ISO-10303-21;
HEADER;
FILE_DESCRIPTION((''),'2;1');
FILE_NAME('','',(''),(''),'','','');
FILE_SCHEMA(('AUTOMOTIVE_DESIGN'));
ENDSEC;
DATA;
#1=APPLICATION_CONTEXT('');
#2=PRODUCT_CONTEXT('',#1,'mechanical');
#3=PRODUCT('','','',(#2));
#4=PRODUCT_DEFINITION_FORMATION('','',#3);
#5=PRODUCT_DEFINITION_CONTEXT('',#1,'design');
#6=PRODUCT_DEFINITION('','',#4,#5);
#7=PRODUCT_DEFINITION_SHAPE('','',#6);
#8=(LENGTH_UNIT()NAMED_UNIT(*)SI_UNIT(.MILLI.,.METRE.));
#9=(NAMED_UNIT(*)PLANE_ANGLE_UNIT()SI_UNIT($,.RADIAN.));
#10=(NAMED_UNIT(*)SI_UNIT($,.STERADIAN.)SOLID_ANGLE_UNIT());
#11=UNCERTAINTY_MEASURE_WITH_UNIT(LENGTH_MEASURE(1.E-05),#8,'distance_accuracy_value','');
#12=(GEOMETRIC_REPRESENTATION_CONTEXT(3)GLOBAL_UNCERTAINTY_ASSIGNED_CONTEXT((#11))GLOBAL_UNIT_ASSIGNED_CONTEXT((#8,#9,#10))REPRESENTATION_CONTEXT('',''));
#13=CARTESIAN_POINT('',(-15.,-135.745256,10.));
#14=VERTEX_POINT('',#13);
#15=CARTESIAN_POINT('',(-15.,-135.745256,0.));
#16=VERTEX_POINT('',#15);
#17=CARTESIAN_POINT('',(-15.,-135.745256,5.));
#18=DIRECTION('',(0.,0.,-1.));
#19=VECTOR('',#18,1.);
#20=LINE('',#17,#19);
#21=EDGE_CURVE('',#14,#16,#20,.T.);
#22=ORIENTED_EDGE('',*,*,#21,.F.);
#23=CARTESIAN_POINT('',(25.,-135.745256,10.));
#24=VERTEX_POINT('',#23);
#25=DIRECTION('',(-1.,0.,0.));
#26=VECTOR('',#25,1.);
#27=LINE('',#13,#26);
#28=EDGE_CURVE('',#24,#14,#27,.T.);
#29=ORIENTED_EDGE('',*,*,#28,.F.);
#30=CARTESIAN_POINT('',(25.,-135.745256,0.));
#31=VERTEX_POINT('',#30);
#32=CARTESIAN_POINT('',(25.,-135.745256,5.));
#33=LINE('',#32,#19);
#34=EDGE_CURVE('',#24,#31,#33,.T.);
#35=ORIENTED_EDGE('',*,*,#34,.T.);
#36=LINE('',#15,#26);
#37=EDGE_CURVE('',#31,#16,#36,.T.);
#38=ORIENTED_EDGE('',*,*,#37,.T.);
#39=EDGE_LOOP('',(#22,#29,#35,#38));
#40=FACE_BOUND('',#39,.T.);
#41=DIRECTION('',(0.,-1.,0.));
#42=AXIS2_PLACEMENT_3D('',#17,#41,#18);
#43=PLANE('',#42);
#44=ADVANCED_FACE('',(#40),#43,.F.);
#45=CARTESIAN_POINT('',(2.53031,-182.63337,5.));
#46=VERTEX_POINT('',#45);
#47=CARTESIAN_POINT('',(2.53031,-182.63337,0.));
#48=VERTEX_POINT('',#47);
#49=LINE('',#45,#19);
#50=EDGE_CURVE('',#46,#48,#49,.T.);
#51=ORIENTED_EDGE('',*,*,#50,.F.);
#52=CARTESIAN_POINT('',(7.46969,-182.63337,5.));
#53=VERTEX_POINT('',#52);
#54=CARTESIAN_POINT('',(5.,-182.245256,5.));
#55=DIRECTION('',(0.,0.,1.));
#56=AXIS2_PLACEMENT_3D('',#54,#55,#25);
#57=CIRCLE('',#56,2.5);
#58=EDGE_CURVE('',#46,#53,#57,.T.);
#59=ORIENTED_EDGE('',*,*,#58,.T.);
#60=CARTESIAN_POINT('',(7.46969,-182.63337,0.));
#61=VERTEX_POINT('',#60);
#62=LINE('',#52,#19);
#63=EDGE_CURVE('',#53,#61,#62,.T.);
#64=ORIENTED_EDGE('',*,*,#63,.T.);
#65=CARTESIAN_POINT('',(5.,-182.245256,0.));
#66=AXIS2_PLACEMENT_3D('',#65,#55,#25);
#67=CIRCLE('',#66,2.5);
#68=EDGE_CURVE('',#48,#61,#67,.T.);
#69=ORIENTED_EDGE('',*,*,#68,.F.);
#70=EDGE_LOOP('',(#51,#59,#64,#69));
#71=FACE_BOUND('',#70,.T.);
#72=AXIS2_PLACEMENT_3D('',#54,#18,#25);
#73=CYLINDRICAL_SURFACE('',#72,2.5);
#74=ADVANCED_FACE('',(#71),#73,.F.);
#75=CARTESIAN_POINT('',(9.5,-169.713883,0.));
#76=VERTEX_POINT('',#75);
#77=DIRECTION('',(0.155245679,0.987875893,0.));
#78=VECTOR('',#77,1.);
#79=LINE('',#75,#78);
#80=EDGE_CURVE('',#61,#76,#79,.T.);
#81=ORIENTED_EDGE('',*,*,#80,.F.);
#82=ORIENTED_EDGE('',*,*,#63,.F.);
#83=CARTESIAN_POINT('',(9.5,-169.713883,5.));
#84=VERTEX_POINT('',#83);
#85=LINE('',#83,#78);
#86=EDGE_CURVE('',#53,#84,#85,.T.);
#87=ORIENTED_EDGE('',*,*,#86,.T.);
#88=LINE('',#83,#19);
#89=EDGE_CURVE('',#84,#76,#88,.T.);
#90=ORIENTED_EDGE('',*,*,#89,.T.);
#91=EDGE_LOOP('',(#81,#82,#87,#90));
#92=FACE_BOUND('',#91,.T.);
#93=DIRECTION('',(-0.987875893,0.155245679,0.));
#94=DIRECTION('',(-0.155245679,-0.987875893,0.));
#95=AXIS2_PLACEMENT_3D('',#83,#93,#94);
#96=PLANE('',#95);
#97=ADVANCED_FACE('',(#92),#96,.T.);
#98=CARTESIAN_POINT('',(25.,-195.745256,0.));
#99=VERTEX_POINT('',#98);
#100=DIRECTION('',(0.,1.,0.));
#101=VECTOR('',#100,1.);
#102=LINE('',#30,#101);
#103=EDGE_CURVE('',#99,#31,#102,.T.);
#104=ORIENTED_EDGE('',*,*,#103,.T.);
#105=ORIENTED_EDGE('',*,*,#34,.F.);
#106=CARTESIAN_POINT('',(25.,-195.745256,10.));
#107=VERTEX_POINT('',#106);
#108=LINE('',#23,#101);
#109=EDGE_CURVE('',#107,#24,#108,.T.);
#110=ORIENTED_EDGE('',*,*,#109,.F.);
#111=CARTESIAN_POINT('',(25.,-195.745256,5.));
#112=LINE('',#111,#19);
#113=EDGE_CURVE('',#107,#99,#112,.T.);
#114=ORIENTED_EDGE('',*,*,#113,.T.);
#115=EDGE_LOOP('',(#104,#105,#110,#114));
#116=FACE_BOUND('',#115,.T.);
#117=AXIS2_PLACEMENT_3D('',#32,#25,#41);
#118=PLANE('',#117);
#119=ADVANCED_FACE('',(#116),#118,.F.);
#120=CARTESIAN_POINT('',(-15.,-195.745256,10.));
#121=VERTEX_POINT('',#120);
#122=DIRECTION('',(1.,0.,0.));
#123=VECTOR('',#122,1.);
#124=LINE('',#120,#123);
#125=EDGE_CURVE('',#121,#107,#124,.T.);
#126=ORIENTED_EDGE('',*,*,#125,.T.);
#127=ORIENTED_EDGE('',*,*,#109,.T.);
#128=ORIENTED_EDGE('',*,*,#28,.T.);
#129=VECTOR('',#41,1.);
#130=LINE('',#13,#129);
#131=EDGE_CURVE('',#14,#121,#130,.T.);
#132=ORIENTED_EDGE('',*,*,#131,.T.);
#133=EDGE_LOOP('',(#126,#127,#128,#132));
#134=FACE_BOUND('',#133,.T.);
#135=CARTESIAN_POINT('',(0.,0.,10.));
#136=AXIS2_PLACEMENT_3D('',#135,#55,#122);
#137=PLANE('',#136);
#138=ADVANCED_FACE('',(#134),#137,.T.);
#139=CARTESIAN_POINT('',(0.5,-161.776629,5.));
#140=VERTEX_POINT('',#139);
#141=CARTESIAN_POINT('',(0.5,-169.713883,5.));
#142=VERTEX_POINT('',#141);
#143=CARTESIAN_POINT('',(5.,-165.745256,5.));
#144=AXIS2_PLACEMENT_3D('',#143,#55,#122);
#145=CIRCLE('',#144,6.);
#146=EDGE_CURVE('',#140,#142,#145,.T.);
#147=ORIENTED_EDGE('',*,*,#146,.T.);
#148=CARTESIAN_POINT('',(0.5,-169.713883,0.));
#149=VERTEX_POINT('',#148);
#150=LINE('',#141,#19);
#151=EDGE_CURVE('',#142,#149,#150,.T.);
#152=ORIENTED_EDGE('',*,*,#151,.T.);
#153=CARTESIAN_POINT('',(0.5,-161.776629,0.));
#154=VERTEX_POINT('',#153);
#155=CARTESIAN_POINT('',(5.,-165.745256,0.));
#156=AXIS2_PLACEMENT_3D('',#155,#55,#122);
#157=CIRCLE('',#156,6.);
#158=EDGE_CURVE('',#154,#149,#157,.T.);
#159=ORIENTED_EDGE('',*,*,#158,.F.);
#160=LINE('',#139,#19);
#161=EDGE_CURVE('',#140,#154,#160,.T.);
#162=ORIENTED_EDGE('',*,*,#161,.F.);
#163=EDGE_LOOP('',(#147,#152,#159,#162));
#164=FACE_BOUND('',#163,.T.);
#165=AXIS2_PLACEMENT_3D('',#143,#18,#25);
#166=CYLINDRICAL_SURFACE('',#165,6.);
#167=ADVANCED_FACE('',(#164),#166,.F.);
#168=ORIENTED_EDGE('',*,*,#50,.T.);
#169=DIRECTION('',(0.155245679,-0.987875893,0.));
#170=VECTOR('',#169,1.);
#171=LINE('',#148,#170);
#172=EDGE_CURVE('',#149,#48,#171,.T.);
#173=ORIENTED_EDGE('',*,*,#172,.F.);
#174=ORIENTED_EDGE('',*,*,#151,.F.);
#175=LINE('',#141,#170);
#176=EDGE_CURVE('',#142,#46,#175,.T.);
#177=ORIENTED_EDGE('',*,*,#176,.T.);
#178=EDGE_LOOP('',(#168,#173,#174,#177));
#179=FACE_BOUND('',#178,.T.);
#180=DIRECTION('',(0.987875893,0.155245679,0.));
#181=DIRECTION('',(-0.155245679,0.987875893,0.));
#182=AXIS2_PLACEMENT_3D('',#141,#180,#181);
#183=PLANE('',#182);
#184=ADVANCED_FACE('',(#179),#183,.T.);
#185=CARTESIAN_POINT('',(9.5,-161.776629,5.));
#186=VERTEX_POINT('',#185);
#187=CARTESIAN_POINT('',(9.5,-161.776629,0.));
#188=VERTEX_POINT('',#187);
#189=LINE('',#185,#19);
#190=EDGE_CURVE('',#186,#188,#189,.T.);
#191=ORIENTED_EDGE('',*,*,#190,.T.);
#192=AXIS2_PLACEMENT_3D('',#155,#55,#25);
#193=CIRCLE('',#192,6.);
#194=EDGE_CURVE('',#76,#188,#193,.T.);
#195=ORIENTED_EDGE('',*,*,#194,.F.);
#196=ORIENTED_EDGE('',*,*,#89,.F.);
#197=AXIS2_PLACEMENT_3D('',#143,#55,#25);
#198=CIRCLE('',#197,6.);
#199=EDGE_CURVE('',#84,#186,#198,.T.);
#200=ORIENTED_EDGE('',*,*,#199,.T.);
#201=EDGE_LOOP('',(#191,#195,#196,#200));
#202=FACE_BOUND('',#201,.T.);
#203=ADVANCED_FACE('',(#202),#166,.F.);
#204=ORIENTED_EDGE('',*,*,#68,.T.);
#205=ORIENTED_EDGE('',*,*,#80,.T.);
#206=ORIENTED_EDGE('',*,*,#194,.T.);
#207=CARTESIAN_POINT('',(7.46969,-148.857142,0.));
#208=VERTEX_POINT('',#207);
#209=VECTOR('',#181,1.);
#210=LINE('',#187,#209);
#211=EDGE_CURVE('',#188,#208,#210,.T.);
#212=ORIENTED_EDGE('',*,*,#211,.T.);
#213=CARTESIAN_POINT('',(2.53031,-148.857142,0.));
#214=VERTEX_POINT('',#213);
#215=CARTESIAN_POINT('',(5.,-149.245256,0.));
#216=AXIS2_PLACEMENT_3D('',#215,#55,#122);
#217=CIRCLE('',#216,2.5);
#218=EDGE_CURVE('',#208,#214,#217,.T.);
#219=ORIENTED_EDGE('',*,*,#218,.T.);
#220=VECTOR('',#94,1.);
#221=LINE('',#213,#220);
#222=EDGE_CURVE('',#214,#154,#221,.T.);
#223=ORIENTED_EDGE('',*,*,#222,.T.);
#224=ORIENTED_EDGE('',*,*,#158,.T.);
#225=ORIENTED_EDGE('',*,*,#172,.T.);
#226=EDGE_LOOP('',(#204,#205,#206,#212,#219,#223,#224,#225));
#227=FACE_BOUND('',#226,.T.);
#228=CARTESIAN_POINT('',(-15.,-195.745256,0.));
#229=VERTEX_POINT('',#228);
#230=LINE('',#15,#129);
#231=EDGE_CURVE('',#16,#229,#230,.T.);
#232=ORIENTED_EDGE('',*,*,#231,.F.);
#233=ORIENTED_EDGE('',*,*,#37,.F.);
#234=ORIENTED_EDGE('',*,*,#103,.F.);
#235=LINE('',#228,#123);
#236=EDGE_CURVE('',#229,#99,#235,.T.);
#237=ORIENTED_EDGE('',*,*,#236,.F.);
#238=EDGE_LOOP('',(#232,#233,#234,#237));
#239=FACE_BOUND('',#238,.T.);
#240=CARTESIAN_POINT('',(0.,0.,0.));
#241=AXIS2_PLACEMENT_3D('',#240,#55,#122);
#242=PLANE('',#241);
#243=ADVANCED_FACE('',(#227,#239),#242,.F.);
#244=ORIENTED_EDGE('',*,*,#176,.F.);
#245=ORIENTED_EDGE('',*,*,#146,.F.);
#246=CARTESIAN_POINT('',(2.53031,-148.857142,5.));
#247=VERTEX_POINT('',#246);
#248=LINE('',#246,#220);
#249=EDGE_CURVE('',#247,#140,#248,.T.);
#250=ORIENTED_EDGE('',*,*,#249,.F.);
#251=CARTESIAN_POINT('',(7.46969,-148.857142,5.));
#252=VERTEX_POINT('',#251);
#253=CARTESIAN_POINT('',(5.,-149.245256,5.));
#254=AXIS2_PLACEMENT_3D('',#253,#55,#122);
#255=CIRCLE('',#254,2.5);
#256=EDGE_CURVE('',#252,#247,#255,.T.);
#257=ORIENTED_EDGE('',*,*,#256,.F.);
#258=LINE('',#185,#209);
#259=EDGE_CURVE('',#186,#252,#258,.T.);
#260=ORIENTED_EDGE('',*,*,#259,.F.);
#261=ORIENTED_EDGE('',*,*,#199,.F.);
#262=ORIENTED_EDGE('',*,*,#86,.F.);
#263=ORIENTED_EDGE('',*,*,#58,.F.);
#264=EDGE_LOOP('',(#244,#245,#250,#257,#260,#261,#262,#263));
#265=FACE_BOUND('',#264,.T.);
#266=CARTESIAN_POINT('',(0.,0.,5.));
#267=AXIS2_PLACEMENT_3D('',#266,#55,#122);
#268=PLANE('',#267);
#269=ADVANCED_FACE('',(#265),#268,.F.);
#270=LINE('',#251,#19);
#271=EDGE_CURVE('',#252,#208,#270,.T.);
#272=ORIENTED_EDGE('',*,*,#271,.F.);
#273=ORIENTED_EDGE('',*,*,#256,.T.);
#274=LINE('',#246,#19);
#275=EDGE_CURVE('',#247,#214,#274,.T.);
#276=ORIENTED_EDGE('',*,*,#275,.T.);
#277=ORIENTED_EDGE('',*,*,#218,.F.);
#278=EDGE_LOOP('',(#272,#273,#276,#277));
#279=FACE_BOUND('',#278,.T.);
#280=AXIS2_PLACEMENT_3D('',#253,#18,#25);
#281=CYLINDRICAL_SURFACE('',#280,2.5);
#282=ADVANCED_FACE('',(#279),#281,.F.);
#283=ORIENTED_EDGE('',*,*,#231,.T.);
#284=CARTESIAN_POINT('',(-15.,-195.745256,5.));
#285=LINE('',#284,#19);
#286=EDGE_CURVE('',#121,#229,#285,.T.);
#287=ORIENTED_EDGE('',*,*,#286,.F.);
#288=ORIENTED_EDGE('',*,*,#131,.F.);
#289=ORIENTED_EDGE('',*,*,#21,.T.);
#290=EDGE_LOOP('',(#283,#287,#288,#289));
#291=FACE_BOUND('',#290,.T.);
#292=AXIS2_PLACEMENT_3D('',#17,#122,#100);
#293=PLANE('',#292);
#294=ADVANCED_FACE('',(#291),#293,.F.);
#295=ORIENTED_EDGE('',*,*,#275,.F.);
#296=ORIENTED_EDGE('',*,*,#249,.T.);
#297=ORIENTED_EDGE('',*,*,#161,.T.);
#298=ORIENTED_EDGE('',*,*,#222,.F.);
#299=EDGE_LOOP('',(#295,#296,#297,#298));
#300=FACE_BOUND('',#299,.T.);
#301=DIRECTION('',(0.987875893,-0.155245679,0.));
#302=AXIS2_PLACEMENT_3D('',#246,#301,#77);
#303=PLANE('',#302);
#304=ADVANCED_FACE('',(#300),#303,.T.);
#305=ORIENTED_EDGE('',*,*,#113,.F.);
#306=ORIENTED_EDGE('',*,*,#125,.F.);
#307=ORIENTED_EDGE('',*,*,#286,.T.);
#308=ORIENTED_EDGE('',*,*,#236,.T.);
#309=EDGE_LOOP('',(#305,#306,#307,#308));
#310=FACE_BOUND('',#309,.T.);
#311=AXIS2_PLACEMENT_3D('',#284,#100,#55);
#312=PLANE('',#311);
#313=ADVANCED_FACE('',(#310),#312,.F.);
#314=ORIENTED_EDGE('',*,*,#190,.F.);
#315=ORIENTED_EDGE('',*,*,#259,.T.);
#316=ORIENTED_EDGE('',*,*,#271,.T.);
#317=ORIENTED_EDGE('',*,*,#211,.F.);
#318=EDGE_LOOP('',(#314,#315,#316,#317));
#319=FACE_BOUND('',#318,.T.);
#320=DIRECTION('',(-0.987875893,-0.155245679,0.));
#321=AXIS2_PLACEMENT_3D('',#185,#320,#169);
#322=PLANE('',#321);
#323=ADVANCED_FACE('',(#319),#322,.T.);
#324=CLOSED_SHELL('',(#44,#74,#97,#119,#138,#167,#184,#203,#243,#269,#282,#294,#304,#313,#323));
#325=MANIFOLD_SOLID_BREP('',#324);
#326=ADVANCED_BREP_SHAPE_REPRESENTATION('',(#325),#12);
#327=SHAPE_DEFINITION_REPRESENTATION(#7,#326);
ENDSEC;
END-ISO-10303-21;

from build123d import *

# Parameters (mm, degrees)
ESQUISSE2_W        = 40
ESQUISSE2_H        = 60
BOSS_EXTRU_1_DEPTH = 5
ESQUISSE3_W        = 40
ESQUISSE3_H        = 60
BOSS_EXTRU_2_DEPTH = 5


with BuildPart() as part:
    # Esquisse2 → Boss.-Extru.1 (new body)
    with BuildSketch(Plane.XY):
        with Locations((5, -165.745255904)):
            Rectangle(ESQUISSE2_W, ESQUISSE2_H)
        with BuildLine():
            Line((9.5, -169.713882871), (7.469689731, -182.633370102))
            ThreePointArc((7.469689731, -182.633370102), (5, -184.745255904), (2.530310269, -182.633370102))
            Line((2.530310269, -182.633370102), (0.5, -169.713882871))
            ThreePointArc((0.5, -169.713882871), (-1, -165.745255904), (0.5, -161.776628937))
            Line((0.5, -161.776628937), (2.530310269, -148.857141706))
            ThreePointArc((2.530310269, -148.857141706), (5, -146.745255904), (7.469689731, -148.857141706))
            Line((7.469689731, -148.857141706), (9.5, -161.776628937))
            ThreePointArc((9.5, -161.776628937), (11, -165.745255904), (9.5, -169.713882871))
        make_face(mode=Mode.SUBTRACT)
    extrude(amount=BOSS_EXTRU_1_DEPTH)

    # Esquisse3 → Boss.-Extru.2 (add)
    with BuildSketch(Plane.XY.offset(5)):
        with Locations((5, -165.745255904)):
            Rectangle(ESQUISSE3_W, ESQUISSE3_H)
    extrude(amount=BOSS_EXTRU_2_DEPTH)


solid = part.part
